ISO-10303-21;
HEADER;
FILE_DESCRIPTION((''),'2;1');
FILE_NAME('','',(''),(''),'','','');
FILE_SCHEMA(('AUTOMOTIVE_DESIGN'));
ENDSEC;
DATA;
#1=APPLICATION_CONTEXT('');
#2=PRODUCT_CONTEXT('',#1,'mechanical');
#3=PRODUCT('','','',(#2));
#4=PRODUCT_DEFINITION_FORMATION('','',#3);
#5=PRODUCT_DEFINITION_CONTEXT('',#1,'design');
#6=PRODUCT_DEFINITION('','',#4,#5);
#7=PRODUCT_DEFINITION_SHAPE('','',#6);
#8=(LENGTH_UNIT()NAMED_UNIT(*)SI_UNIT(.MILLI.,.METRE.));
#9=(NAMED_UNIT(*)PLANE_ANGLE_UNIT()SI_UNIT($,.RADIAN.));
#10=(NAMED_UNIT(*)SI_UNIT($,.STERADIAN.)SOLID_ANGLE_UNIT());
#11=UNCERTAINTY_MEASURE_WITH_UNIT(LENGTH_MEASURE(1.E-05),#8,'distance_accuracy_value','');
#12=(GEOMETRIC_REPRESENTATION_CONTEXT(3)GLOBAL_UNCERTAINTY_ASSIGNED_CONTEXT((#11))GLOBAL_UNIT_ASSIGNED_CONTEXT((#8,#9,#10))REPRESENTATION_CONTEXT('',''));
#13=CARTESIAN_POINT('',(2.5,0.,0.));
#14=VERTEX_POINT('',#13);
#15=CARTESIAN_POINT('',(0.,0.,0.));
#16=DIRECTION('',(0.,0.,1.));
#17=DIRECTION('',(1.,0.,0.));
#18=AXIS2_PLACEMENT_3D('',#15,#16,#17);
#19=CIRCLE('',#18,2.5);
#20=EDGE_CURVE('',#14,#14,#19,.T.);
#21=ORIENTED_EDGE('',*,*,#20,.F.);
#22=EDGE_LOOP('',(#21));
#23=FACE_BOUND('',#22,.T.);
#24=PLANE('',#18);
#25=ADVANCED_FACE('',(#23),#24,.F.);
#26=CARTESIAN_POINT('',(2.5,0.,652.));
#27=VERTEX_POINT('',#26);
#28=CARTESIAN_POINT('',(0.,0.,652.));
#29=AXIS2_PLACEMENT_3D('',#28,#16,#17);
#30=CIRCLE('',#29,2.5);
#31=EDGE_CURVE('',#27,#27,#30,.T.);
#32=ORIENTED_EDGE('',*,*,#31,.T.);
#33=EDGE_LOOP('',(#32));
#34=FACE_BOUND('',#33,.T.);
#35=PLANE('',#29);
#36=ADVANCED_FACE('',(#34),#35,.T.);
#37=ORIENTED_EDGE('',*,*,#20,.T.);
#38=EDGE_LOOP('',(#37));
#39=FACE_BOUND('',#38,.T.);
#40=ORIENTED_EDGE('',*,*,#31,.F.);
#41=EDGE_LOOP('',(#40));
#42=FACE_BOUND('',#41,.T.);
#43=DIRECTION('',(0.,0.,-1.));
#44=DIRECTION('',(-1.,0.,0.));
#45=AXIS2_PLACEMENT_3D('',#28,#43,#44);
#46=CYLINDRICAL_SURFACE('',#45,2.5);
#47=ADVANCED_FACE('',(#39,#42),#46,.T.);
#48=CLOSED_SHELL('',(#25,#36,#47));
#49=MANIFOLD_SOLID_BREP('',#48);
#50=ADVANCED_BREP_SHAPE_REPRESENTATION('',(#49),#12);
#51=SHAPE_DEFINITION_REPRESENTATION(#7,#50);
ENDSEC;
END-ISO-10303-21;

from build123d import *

# Parameters (mm, degrees)
SKETCH1_R = 2.5
ROD_DEPTH = 652


with BuildPart() as part:
    # Sketch1 → Rod (new body)
    with BuildSketch(Plane.XY):
        Circle(SKETCH1_R)
    extrude(amount=ROD_DEPTH)


solid = part.part
